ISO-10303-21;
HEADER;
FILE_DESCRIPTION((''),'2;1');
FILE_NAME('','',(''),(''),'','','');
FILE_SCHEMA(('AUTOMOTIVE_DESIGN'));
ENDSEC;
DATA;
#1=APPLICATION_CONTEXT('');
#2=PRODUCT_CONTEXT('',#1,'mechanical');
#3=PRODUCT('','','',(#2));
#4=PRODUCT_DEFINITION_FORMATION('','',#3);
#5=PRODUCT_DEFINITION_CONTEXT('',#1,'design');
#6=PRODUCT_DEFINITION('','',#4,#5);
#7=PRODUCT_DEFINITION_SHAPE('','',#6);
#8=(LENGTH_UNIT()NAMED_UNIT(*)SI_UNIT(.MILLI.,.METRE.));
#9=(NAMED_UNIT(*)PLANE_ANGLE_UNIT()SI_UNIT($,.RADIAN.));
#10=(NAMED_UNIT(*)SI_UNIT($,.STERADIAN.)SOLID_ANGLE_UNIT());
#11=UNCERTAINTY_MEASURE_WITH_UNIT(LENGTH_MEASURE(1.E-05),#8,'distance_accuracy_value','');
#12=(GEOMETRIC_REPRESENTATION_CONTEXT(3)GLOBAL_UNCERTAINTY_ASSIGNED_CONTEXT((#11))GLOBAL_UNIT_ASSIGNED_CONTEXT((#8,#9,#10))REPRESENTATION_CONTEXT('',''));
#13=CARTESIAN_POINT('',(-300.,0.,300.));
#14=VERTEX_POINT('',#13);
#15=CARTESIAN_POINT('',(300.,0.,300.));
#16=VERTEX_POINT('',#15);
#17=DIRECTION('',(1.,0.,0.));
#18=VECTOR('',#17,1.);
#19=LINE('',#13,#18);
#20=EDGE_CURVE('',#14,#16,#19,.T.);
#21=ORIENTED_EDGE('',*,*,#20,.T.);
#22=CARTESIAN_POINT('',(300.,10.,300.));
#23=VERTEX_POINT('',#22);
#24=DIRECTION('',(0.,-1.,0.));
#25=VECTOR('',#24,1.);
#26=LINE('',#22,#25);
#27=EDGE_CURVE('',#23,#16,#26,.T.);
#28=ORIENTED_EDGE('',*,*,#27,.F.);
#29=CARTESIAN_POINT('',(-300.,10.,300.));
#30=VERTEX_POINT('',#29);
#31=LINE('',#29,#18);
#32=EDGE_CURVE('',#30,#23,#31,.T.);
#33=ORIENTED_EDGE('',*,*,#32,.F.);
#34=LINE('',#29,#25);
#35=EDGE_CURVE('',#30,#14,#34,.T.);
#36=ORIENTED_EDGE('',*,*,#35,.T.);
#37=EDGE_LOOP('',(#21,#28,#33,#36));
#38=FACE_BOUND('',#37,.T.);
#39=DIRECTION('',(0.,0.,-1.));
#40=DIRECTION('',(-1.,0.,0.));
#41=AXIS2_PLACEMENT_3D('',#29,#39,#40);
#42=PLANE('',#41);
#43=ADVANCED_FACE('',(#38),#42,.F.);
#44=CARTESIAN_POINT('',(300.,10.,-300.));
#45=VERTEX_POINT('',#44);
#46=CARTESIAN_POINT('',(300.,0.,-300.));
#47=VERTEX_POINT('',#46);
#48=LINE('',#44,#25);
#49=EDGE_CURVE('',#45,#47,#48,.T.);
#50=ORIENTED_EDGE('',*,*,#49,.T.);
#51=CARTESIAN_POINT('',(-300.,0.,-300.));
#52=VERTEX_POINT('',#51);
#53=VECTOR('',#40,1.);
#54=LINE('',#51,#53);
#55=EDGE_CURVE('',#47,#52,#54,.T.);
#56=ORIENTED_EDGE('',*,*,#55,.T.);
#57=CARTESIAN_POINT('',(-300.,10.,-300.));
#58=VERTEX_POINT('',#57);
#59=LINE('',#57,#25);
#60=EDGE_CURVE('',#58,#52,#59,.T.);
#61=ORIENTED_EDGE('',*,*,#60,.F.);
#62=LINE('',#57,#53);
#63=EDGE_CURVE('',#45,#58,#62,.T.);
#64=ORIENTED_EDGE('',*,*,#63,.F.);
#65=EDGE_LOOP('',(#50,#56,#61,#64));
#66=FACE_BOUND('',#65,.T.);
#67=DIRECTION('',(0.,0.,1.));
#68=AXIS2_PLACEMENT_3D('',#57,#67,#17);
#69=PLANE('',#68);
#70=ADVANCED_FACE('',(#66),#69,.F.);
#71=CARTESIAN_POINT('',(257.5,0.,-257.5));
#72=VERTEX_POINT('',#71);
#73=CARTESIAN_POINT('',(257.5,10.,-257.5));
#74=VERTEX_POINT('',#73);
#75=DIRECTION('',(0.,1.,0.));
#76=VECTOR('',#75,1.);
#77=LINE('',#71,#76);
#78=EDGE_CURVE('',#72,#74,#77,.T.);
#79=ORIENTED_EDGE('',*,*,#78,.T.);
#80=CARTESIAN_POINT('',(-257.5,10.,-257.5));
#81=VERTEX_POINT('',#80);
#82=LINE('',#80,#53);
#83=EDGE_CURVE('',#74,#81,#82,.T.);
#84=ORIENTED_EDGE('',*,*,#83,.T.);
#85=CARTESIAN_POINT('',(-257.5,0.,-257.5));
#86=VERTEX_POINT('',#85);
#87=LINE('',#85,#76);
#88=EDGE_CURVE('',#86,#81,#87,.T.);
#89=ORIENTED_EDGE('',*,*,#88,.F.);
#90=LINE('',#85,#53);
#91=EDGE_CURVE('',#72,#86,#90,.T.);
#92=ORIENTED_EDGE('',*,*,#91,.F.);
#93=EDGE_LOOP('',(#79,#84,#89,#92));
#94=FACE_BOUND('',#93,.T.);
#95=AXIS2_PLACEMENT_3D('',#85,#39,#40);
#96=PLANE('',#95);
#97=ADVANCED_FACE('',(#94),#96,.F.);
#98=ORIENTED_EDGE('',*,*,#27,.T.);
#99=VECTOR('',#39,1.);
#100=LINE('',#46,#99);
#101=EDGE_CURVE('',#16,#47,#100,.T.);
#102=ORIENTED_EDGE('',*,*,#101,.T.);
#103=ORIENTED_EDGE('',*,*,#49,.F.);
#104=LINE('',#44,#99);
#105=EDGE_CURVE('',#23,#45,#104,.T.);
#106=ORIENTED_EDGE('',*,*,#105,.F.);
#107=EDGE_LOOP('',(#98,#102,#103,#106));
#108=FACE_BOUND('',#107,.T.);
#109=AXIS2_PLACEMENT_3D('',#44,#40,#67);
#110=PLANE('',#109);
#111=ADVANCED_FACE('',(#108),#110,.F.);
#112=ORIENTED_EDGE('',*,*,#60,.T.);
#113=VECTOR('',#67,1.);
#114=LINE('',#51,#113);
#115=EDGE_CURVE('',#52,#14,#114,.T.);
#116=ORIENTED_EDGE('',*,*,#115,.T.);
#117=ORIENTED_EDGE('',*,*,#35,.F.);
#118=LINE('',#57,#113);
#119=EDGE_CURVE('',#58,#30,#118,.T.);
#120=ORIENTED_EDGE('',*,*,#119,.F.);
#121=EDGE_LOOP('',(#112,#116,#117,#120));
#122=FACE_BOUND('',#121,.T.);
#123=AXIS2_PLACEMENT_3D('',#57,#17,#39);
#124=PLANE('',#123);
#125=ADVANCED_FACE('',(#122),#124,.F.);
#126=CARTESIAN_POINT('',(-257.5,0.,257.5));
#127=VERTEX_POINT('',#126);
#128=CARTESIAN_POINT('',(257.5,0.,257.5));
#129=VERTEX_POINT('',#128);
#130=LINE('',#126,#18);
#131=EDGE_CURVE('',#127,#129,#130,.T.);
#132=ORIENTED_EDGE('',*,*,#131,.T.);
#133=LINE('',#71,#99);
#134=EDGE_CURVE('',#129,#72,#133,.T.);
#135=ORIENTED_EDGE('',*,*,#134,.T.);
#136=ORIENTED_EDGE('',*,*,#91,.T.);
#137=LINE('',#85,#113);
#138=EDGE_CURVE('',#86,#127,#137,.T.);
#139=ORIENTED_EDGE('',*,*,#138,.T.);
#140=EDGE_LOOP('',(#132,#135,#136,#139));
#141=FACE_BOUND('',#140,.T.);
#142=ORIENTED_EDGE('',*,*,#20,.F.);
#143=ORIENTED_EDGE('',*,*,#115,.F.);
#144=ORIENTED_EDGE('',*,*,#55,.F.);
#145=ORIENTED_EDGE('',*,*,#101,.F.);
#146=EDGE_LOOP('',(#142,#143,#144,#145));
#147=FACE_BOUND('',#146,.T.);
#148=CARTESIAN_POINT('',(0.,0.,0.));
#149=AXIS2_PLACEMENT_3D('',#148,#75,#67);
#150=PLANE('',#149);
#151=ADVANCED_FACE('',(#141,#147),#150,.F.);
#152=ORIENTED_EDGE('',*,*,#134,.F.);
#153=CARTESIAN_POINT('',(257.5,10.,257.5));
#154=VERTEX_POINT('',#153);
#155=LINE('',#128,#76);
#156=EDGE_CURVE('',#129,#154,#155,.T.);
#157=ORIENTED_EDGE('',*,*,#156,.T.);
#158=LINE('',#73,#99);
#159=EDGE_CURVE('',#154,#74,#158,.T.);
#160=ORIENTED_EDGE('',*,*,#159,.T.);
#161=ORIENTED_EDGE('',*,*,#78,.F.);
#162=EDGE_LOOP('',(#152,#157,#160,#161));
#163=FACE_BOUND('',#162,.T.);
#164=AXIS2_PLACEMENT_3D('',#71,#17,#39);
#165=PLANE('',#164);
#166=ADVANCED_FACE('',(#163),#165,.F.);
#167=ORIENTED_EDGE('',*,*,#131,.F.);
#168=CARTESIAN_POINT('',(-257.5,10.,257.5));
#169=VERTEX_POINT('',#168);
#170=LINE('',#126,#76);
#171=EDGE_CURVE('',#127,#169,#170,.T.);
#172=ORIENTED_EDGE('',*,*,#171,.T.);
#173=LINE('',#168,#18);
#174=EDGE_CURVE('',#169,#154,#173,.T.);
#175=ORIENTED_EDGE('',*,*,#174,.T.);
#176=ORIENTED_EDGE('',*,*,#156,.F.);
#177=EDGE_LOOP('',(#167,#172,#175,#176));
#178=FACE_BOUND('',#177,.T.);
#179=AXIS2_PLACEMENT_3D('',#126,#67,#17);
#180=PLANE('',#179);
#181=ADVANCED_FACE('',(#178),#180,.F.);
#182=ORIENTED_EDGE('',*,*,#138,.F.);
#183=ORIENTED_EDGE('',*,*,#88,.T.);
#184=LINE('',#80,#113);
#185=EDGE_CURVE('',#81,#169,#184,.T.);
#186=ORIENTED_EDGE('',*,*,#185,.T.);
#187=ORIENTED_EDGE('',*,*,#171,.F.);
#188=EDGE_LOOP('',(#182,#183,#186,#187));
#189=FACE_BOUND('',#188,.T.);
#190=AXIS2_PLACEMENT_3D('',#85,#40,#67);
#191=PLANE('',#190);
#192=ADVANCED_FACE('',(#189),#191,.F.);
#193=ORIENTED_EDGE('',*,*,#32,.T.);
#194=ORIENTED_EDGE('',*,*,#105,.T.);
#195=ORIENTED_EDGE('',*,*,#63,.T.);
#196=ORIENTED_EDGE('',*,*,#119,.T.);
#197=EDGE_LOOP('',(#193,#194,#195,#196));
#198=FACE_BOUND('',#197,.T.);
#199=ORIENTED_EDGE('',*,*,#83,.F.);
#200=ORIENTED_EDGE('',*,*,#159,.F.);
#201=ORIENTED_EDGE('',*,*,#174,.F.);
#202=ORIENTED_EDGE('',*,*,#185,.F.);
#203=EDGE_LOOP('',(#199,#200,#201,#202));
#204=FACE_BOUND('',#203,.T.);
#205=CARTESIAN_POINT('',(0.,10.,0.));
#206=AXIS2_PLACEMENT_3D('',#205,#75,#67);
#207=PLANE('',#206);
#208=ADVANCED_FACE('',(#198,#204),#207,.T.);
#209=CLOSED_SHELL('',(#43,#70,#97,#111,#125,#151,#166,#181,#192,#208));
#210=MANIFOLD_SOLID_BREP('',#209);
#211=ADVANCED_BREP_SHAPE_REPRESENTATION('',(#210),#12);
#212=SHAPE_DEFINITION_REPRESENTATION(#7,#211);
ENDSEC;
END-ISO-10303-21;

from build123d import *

# Parameters (mm, degrees)
SKETCH_1_W          = 600
SKETCH_1_H          = 600
EXTRUDE_1_DEPTH     = 10
SKETCH_2_W          = 515
SKETCH_2_H          = 515
CUT_EXTRUDE_1_DEPTH = 11


with BuildPart() as part:
    # 草图1 → 凸台-拉伸1 (new body)
    with BuildSketch(Plane(origin=(0, 0, 0), x_dir=(1, 0, 0), z_dir=(0, 1, 0))):
        Rectangle(SKETCH_1_W, SKETCH_1_H)
    extrude(amount=EXTRUDE_1_DEPTH)

    # 草图2 → 切除-拉伸1 (cut, through all)
    with BuildSketch(Plane(origin=(0, 10, 0), x_dir=(1, 0, 0), z_dir=(0, 1, 0))):
        Rectangle(SKETCH_2_W, SKETCH_2_H)
    extrude(amount=-CUT_EXTRUDE_1_DEPTH, mode=Mode.SUBTRACT)


solid = part.part
